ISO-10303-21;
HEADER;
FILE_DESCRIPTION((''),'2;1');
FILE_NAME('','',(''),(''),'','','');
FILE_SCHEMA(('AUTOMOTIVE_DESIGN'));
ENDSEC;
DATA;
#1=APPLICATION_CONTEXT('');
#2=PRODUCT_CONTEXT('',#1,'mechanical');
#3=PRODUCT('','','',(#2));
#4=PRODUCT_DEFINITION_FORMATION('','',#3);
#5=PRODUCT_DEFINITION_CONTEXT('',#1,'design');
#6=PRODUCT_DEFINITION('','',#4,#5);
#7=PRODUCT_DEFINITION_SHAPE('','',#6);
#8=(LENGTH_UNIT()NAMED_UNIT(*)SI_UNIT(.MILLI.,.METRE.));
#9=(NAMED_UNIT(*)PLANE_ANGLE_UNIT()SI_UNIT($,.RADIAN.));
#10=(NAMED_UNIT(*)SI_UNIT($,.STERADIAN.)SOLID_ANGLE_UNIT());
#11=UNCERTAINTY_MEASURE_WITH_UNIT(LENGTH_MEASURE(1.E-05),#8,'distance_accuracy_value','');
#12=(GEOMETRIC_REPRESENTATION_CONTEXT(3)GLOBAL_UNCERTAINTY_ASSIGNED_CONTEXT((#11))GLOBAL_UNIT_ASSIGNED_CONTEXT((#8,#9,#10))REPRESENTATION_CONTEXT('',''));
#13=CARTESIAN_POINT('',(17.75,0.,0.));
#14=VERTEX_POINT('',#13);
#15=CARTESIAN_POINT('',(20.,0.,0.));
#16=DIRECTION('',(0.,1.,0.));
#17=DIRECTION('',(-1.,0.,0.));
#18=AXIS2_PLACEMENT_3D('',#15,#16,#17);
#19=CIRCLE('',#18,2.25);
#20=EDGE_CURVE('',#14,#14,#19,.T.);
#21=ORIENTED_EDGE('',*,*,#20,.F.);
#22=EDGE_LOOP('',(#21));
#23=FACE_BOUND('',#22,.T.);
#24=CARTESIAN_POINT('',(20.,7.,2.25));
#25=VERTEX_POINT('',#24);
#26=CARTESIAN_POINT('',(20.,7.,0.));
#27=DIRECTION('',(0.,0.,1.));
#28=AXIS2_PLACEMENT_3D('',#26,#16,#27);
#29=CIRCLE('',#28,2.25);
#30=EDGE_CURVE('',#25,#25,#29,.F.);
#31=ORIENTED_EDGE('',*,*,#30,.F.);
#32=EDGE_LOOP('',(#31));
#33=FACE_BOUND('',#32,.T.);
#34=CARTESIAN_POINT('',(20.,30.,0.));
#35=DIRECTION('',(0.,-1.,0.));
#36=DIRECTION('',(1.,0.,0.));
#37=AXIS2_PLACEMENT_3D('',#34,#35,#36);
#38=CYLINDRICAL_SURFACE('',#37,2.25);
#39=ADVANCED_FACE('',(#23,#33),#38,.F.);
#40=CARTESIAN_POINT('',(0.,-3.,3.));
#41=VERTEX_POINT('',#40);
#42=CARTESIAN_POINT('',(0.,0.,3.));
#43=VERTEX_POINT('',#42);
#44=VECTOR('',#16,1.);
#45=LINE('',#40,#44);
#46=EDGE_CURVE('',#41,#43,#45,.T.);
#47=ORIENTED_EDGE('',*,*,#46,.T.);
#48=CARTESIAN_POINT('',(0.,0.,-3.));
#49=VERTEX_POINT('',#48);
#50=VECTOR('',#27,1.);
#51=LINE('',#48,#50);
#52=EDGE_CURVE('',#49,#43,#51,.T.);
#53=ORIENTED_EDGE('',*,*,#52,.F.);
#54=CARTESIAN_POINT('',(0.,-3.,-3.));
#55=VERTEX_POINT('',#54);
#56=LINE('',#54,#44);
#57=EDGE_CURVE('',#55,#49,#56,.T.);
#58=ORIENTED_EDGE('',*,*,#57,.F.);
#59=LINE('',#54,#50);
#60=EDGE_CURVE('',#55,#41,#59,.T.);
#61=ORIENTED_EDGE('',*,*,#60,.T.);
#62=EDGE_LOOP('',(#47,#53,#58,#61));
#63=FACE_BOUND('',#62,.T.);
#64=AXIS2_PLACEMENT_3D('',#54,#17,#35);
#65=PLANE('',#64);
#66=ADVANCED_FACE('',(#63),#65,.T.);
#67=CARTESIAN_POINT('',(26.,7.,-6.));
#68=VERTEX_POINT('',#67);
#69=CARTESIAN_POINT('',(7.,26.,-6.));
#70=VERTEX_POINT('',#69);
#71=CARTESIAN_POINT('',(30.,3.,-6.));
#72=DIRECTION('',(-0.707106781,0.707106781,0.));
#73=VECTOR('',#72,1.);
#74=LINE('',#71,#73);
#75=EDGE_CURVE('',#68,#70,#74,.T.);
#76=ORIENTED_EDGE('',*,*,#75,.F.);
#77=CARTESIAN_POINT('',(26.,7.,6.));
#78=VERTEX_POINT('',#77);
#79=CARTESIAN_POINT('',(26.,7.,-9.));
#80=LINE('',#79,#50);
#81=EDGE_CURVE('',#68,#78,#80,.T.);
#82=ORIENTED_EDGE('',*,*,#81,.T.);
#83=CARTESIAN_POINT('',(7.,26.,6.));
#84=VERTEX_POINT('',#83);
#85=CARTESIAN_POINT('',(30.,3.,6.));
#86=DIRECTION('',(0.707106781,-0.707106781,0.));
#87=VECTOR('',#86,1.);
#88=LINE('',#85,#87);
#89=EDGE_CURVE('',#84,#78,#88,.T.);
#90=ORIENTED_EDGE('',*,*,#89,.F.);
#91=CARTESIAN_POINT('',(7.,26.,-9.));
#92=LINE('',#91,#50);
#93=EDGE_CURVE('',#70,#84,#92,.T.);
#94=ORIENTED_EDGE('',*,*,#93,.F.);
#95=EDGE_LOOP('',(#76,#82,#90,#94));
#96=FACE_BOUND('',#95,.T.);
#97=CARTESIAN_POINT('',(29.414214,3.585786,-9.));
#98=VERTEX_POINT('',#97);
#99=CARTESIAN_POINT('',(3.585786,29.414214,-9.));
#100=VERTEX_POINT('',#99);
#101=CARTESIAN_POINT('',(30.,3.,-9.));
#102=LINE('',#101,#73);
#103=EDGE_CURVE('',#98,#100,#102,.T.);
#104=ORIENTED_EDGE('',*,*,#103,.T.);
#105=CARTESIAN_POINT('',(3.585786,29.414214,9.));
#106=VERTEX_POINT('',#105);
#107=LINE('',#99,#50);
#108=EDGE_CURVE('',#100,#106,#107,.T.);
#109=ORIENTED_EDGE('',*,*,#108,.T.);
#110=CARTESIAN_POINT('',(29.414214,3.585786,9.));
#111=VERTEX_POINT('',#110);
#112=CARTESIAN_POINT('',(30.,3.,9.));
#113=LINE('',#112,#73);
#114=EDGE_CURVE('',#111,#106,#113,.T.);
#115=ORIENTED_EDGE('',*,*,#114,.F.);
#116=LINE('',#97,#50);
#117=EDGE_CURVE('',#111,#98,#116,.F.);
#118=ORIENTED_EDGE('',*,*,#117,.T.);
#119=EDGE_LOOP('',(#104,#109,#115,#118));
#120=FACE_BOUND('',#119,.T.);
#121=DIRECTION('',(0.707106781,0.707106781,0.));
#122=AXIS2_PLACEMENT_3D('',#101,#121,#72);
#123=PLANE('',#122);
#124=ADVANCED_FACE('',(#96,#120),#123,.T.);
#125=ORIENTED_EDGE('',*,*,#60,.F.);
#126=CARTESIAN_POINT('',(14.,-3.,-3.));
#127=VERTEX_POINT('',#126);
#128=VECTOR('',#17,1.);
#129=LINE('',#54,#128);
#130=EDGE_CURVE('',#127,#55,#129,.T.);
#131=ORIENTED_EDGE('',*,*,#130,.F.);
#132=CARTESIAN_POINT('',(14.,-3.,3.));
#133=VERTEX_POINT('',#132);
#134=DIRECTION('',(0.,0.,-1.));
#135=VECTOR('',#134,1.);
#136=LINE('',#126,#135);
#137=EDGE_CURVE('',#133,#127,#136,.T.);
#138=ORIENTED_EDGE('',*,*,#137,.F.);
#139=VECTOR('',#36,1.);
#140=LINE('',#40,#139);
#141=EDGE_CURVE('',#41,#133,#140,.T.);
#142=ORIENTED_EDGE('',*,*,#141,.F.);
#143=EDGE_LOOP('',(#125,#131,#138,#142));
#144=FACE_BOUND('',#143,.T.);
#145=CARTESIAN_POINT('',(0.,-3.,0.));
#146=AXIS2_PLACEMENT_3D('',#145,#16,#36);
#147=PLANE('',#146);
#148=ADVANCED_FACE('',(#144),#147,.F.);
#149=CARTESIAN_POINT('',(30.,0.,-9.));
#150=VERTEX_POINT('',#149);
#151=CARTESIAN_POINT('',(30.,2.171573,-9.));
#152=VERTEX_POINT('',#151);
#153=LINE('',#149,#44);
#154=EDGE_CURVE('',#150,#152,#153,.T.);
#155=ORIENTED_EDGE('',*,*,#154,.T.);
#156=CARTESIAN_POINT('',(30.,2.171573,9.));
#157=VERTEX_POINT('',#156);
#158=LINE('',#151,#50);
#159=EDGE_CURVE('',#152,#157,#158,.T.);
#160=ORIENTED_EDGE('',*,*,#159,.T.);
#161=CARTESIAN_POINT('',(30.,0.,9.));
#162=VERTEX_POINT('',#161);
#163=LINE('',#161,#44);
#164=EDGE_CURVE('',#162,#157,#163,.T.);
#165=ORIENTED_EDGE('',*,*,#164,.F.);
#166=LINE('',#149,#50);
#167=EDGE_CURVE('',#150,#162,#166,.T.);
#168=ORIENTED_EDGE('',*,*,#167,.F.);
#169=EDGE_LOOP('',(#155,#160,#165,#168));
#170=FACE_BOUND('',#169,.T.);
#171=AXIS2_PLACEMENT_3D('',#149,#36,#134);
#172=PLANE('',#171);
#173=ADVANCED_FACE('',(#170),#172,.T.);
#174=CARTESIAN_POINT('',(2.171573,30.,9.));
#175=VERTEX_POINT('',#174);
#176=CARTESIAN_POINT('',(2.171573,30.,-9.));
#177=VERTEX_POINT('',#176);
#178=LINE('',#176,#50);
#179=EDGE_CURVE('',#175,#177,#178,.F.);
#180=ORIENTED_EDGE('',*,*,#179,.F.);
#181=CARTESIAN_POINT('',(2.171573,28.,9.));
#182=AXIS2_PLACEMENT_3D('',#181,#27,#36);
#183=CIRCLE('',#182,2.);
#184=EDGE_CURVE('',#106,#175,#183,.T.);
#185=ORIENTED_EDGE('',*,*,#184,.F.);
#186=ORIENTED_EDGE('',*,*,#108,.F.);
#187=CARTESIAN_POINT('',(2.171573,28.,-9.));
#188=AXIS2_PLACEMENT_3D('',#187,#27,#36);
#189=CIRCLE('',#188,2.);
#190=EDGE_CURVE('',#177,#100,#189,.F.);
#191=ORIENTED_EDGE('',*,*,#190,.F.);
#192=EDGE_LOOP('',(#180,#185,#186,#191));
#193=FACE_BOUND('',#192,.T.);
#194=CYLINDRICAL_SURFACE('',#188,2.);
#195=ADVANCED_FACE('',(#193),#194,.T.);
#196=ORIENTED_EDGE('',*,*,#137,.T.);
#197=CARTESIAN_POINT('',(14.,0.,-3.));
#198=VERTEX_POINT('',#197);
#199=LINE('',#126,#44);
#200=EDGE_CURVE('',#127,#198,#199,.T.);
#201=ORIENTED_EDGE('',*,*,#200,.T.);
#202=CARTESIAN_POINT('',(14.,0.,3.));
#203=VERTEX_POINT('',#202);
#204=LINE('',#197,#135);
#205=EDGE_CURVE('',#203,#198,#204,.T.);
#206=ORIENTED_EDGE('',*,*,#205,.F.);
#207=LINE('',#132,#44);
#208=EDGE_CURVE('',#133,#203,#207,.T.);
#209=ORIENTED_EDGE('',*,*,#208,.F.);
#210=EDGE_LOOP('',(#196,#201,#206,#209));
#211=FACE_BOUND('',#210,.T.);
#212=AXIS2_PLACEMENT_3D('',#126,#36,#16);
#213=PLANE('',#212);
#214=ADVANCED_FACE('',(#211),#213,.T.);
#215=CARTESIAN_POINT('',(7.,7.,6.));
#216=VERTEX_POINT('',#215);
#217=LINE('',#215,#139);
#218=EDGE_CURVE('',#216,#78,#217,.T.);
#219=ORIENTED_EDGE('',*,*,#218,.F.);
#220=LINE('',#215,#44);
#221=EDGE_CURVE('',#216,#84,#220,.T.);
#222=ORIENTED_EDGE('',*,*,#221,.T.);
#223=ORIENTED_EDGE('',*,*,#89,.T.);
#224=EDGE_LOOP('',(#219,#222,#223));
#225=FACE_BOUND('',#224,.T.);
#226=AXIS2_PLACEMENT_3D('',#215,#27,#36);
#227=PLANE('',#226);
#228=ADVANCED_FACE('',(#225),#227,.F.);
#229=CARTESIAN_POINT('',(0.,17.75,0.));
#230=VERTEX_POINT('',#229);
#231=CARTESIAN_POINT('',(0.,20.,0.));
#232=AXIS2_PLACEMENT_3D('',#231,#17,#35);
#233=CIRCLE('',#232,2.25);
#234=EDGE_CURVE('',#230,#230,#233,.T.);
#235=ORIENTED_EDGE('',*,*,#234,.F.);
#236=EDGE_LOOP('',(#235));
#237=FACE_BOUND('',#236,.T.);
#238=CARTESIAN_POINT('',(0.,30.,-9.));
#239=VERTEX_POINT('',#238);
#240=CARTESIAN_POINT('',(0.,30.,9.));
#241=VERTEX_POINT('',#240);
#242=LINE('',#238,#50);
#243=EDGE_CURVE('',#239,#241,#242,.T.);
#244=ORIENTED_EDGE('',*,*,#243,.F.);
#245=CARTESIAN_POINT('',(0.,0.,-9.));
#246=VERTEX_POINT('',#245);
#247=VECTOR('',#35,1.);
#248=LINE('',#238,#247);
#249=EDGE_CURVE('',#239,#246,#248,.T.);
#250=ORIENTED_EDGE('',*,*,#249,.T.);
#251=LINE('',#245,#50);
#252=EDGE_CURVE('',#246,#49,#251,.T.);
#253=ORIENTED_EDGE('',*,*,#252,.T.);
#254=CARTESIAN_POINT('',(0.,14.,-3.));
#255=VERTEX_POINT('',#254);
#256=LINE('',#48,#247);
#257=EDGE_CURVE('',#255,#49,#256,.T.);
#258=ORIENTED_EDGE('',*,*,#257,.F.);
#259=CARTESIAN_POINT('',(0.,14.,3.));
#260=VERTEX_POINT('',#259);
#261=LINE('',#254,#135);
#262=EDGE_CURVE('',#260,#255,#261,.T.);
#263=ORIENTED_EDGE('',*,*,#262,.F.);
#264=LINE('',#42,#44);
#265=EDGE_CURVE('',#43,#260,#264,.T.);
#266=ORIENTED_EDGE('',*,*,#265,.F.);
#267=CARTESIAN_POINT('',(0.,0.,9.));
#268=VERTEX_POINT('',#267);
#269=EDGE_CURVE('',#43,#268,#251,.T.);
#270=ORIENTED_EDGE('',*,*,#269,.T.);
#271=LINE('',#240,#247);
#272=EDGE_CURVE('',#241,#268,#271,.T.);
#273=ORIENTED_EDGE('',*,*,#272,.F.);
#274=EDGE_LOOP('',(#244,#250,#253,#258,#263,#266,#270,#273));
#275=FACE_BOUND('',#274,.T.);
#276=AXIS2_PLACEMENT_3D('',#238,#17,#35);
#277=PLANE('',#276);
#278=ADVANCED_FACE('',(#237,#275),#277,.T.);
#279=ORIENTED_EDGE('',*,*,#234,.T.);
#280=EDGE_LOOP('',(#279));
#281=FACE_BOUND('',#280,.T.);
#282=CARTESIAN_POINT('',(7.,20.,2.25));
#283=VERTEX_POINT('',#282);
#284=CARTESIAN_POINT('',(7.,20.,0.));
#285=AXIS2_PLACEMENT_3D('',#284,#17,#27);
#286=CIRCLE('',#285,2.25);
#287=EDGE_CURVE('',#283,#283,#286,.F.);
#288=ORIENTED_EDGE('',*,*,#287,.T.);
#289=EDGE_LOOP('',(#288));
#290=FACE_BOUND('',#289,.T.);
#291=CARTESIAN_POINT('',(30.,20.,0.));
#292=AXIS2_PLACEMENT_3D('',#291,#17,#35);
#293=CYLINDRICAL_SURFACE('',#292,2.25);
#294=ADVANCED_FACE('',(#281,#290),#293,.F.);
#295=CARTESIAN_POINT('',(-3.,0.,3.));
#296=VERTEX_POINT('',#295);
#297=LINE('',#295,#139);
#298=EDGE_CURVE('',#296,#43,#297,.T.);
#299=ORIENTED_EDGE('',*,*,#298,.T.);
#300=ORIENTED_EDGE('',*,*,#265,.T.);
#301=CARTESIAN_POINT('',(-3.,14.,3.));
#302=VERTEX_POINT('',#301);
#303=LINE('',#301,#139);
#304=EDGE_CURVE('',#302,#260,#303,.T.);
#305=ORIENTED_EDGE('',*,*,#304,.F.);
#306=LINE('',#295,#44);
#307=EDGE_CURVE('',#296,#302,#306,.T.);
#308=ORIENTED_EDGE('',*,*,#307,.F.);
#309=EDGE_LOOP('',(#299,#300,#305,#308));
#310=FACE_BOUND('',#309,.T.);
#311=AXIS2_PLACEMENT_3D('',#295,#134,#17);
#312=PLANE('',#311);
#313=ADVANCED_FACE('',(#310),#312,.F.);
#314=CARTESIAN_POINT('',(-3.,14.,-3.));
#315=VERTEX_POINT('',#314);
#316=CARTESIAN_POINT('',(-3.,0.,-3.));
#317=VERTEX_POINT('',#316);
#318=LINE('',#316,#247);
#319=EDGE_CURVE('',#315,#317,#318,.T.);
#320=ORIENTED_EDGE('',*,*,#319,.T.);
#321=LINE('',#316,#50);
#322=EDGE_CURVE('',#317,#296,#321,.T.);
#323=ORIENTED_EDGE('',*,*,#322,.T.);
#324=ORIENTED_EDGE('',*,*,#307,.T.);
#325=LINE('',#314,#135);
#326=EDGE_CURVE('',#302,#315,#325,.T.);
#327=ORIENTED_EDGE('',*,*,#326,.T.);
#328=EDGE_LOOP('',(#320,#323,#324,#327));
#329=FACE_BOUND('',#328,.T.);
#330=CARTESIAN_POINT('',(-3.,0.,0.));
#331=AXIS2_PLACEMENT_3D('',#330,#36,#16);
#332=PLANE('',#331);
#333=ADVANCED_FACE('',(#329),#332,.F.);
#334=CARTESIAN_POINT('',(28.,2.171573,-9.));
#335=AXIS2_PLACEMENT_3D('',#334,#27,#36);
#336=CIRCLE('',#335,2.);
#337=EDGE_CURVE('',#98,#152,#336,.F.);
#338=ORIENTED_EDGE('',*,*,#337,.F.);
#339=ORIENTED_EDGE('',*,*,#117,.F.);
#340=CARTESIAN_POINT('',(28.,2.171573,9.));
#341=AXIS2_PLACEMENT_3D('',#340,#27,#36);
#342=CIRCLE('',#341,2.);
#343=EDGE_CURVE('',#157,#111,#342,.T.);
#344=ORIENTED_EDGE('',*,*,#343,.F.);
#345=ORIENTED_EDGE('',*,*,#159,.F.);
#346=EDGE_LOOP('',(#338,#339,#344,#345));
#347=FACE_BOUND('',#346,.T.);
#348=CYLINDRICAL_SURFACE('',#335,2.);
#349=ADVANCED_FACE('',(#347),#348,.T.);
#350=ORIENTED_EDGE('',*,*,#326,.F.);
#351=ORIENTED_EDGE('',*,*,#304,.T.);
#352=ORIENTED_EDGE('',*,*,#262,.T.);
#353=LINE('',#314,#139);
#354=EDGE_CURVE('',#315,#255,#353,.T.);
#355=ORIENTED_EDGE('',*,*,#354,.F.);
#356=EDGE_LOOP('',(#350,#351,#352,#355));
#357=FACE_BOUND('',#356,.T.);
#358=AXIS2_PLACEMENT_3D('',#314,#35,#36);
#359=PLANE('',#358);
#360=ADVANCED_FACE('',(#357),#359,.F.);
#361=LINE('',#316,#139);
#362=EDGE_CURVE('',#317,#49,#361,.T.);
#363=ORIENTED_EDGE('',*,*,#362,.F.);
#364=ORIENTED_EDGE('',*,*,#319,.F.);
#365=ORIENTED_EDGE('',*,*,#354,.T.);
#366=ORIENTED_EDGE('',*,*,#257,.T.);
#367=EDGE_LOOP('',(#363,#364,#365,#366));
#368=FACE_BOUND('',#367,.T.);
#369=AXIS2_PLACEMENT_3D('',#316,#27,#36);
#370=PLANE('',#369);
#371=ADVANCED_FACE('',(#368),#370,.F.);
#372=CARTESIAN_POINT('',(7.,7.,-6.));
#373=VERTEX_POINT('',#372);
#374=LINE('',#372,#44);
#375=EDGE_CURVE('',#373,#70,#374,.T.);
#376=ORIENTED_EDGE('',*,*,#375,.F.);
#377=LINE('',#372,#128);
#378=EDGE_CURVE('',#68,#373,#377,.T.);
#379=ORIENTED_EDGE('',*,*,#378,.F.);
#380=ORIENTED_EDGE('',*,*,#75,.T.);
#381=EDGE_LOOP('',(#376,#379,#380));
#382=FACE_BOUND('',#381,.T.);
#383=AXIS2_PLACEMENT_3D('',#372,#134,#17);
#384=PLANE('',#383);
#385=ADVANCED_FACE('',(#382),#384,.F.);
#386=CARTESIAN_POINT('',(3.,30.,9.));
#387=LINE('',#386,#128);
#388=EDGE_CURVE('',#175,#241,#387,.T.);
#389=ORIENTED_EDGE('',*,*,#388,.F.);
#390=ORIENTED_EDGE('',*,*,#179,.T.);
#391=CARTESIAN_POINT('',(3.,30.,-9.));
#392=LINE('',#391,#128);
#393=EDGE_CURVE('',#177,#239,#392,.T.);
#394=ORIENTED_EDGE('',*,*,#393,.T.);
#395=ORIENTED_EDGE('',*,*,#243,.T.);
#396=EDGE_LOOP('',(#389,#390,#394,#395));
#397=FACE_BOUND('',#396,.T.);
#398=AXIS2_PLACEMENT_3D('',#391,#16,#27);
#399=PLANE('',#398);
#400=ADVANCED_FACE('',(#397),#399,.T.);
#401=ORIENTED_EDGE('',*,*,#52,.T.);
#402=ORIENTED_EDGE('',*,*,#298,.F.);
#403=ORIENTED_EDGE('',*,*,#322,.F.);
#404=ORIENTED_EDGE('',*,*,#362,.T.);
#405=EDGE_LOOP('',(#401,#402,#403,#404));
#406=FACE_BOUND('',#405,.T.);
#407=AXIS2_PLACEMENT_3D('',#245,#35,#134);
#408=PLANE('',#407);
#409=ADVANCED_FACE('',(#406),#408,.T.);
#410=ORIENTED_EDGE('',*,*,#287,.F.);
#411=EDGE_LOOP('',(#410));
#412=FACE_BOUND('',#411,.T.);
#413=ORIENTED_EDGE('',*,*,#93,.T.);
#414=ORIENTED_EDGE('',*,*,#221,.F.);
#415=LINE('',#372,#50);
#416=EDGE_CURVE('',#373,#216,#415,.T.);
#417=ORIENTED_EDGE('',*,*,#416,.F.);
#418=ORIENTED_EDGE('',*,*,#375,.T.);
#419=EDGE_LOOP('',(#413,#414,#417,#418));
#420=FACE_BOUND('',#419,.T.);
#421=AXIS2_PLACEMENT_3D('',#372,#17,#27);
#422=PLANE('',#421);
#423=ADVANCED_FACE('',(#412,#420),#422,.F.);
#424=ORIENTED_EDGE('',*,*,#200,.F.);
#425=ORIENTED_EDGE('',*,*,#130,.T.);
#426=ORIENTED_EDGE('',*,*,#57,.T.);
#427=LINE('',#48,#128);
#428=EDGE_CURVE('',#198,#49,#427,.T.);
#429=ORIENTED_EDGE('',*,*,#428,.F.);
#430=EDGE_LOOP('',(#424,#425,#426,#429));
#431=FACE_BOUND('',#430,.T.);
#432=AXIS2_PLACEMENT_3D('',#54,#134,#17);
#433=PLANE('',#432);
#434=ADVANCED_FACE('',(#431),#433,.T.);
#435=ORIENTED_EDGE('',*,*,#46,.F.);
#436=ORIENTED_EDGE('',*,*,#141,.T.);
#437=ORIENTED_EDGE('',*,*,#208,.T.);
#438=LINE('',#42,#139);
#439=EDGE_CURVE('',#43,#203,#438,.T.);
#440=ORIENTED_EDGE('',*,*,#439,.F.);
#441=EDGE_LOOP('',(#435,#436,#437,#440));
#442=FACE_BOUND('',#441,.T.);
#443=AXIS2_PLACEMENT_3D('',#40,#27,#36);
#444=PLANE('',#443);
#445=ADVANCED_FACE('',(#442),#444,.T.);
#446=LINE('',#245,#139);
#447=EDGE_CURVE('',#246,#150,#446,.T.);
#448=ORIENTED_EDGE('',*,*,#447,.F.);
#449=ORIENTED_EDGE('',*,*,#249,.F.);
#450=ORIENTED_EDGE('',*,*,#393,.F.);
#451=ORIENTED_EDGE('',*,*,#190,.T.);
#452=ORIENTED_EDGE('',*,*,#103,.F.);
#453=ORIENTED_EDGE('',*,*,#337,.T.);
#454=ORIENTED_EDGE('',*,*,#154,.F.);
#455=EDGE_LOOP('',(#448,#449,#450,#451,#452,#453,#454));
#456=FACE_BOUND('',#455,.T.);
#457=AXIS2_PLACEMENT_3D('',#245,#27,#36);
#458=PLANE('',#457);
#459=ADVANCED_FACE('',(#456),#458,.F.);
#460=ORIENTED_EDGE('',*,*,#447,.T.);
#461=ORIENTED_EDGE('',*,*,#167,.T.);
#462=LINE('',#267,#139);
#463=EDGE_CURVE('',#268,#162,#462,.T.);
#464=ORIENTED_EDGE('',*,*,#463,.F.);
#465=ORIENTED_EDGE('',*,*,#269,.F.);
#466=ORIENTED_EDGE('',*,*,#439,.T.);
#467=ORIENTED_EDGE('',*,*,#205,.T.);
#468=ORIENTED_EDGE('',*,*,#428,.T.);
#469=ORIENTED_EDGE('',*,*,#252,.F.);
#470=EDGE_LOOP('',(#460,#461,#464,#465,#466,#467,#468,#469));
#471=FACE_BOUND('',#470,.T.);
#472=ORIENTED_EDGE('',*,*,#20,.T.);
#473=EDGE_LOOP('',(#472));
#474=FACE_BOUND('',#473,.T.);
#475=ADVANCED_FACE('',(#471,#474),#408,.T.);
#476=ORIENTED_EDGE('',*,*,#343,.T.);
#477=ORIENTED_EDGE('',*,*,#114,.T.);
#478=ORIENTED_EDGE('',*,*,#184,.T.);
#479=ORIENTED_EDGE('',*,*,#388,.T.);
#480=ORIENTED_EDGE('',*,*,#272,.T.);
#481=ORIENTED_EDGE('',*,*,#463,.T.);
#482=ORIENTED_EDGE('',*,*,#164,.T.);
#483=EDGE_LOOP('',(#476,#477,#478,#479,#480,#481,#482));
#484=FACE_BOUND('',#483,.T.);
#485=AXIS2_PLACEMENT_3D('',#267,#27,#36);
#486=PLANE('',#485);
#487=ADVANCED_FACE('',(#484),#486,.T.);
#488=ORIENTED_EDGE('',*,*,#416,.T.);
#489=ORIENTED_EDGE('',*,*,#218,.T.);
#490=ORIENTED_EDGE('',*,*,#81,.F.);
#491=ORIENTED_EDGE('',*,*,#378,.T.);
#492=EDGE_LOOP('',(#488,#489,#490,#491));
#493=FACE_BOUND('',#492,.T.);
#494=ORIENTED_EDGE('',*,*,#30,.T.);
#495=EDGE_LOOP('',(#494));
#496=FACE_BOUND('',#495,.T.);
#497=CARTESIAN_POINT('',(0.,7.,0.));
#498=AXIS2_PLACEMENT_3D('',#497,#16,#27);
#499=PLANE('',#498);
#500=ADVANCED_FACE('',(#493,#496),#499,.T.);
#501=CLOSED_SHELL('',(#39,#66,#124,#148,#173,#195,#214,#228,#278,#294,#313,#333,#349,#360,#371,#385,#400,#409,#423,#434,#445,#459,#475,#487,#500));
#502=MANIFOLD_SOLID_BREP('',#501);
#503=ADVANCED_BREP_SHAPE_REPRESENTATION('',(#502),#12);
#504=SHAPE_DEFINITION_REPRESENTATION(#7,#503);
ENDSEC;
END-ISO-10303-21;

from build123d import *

# Parameters (mm, degrees)
EXTRUDE_1_DEPTH      = 9
EXTRUDE_1_DEPTH_BACK = 9
SKETCH_6_R           = 2.25
CUT_EXTRUDE_1_DEPTH  = 44.370496884
SKETCH_7_W           = 20
SKETCH_7_H           = 12
CUT_EXTRUDE_2_DEPTH  = 23
SKETCH_8_W           = 6
SKETCH_8_H           = 14
EXTRUDE_2_DEPTH      = 3
FILLET_1_R           = 2


with BuildPart() as part:
    # Эскиз3 → Бобышка-Вытянуть1 (new, two sides: drawn at the far end of the back side and taken through both)
    with BuildSketch(Plane.XY.offset(-EXTRUDE_1_DEPTH_BACK)):
        Polygon((0, 0), (30, 0), (30, 3), (3, 30), (0, 30), align=None)
    extrude(amount=EXTRUDE_1_DEPTH + EXTRUDE_1_DEPTH_BACK)

    # Эскиз6 → Вырез-Вытянуть1 (cut, through all)
    with BuildSketch(Plane.ZY):
        with Locations((0, 20)):
            Circle(SKETCH_6_R)
    cut_extrude_1 = extrude(amount=-CUT_EXTRUDE_1_DEPTH, mode=Mode.SUBTRACT)

    # Эскиз7 → Вырез-Вытянуть2 (cut)
    with BuildSketch(Plane(origin=(0, 30, 0), x_dir=(1, 0, 0), z_dir=(0, 1, 0))):
        with Locations((17, 0)):
            Rectangle(SKETCH_7_W, SKETCH_7_H)
    extrude(amount=-CUT_EXTRUDE_2_DEPTH, mode=Mode.SUBTRACT)

    # Эскиз8 → Бобышка-Вытянуть2 (add)
    with BuildSketch(Plane.ZY):
        with Locations((0, 7)):
            Rectangle(SKETCH_8_W, SKETCH_8_H)
    extrude_2 = extrude(amount=EXTRUDE_2_DEPTH)

    # Зеркальное отражение1: Вырез-Вытянуть1, Бобышка-Вытянуть2 across plane
    add(cut_extrude_1.mirror(Plane(origin=(0, 0, 0), x_dir=(0, 0, 1), z_dir=(0.7071067811865476, -0.7071067811865475, 0))), mode=Mode.SUBTRACT)
    add(extrude_2.mirror(Plane(origin=(0, 0, 0), x_dir=(0, 0, 1), z_dir=(0.7071067811865476, -0.7071067811865475, 0))))

    # Скругление1
    fillet_1_edges = [part.edges().sort_by_distance(p)[0] for p in [
        (30, 3, 0),
        (3, 30, 0),
    ]]
    fillet(fillet_1_edges, radius=FILLET_1_R)


solid = part.part
